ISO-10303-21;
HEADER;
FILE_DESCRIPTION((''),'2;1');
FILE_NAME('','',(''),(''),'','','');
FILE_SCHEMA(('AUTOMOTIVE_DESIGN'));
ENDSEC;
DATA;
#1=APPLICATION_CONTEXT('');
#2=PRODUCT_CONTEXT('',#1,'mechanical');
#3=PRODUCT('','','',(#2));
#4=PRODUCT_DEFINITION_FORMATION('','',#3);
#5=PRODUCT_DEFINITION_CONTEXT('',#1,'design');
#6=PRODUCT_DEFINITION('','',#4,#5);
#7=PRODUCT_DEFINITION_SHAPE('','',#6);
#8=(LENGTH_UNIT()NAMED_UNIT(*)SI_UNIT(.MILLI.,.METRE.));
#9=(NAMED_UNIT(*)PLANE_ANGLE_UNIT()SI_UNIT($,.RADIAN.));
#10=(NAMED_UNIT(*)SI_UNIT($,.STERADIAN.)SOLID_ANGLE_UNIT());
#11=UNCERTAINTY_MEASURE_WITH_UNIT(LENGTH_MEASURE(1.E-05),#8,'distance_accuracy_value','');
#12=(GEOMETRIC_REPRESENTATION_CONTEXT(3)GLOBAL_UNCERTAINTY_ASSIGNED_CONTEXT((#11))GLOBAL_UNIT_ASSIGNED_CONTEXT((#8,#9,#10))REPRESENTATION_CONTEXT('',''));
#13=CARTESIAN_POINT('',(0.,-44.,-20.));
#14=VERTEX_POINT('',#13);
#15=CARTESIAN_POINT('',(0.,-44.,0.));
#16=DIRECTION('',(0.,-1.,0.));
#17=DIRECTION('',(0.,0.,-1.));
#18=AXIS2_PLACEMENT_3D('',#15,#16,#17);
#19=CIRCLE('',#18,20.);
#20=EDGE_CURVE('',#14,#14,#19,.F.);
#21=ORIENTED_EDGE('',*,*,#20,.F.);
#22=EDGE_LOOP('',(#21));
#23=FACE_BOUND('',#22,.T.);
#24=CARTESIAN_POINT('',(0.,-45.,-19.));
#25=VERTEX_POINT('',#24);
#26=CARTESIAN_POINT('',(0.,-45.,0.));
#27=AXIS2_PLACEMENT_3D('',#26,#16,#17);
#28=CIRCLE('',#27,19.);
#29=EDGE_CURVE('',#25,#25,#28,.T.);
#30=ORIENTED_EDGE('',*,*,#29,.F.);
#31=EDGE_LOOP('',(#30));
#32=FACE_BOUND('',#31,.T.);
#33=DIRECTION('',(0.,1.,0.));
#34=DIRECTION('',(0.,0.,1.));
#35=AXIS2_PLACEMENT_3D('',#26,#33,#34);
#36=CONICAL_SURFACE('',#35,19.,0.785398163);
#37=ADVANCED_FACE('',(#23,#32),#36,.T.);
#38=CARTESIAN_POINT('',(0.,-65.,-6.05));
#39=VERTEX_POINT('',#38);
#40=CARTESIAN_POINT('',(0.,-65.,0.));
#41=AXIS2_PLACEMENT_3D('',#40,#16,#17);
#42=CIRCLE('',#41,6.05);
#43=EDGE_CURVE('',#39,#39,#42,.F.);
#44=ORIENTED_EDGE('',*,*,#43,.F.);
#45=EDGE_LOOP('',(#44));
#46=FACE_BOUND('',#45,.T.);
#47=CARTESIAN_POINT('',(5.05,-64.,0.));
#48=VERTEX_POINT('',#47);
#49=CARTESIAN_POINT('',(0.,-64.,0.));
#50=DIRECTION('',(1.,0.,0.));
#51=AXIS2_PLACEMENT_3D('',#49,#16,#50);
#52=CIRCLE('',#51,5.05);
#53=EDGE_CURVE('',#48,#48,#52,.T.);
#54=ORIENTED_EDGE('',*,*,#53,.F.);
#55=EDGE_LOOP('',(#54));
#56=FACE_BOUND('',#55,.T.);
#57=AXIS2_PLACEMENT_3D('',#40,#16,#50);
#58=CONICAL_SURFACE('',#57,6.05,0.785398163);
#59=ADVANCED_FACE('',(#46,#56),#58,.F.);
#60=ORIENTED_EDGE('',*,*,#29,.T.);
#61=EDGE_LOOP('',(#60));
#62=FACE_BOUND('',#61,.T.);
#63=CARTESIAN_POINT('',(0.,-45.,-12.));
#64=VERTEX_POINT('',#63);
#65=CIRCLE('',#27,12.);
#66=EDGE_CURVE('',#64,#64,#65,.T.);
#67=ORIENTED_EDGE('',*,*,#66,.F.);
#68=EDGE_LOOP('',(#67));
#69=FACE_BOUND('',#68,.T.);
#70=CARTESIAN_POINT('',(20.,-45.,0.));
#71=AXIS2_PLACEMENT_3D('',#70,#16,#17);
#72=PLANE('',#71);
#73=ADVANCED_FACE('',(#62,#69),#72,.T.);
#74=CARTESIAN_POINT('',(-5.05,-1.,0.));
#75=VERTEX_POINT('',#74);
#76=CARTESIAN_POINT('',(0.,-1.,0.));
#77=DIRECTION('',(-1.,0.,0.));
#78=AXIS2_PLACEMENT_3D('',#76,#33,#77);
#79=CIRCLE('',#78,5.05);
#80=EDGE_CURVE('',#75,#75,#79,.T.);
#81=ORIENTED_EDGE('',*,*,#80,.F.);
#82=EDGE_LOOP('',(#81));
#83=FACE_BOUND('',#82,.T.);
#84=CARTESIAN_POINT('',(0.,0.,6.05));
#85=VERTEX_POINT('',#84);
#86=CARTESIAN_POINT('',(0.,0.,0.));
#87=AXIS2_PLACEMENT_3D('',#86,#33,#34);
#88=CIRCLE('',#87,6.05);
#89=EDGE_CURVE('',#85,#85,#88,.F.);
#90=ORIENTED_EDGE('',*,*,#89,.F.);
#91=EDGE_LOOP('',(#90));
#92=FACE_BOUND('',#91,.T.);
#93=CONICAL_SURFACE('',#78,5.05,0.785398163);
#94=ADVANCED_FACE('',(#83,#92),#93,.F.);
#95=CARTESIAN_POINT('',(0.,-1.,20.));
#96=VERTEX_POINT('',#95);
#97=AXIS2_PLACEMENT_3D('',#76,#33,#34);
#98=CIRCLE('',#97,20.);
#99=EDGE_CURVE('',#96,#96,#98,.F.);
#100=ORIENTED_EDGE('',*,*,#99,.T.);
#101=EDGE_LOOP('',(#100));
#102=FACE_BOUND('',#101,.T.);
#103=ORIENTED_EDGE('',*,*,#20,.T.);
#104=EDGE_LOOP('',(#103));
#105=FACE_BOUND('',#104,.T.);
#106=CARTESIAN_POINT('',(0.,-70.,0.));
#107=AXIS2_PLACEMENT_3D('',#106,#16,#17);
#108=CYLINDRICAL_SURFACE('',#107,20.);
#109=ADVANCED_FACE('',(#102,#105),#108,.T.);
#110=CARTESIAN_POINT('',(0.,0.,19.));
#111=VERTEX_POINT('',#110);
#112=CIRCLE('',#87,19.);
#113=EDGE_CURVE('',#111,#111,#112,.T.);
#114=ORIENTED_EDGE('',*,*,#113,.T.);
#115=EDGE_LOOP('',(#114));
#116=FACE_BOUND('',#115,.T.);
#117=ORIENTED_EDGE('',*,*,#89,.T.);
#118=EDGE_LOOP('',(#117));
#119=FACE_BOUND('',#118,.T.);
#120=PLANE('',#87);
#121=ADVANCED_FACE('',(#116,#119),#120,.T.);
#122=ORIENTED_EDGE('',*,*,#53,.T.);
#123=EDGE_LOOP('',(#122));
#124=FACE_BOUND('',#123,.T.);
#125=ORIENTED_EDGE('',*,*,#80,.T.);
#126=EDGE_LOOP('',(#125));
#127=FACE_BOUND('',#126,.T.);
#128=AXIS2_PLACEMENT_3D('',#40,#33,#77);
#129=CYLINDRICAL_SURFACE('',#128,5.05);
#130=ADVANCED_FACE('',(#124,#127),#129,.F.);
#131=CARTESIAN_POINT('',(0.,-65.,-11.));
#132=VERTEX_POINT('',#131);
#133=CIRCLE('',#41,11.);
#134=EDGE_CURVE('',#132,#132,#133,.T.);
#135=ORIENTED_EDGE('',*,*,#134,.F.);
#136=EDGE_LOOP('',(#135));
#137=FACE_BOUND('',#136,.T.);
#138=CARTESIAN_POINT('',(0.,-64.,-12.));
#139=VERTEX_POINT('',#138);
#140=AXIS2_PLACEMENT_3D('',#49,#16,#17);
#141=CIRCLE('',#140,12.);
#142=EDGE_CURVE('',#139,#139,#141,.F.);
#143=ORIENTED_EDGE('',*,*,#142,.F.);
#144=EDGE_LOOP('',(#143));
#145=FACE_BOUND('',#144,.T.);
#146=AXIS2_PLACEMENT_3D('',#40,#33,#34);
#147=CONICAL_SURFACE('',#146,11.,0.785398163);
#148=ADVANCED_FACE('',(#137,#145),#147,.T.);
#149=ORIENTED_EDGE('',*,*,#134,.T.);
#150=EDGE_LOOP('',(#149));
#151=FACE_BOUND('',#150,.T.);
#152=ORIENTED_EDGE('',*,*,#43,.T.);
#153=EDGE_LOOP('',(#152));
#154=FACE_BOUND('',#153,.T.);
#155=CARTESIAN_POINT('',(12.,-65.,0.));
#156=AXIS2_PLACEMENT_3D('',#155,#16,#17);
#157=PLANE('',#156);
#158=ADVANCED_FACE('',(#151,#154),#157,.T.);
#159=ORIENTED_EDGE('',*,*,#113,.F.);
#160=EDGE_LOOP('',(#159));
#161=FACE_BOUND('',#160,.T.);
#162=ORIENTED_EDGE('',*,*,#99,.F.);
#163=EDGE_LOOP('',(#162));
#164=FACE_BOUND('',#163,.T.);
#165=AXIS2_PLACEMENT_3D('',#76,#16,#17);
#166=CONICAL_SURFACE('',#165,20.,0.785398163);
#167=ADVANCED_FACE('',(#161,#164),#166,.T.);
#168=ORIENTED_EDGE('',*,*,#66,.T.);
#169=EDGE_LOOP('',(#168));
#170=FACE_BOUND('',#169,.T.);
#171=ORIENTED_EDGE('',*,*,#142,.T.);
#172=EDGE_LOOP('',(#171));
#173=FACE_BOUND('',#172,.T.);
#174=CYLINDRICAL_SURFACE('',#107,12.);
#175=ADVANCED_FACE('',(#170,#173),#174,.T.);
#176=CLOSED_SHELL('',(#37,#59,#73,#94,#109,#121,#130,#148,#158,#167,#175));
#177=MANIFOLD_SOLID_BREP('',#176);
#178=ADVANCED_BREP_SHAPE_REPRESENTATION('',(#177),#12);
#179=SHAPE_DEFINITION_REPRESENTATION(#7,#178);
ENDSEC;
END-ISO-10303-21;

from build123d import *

# Parameters (mm, degrees)
SKETCH2_R          = 5.05
CUT_EXTRUDE1_DEPTH = 71.887234394
CHAMFER1_SIZE      = 1


with BuildPart() as part:
    # Sketch1 → Revolve1 (revolve)
    with BuildSketch(Plane.XY, mode=Mode.PRIVATE) as revolve1_sk:
        Polygon((0, 0), (20, 0), (20, -45), (12, -45), (12, -65), (0, -65), align=None)
    revolve(revolve1_sk.sketch.rotate(Axis((0, -70, 0), (0, 1, 0)), 90), axis=Axis((0, -70, 0), (0, 1, 0)))

    # Sketch2 → Cut-Extrude1 (cut, through all)
    with BuildSketch(Plane(origin=(0, 0, 0), x_dir=(1, 0, 0), z_dir=(0, 1, 0))):
        with Locations(Location((0, 0, 0), (0, 0, 180))):
            Circle(SKETCH2_R)
    extrude(amount=-CUT_EXTRUDE1_DEPTH, mode=Mode.SUBTRACT)

    # Chamfer1
    chamfer1_edges = [part.edges().sort_by_distance(p)[0] for p in [
        (5.05, -65, 0),
        (5.05, 0, 0),
        (0, -65, 12),
        (0, -45, 20),
        (0, 0, 20),
    ]]
    chamfer(chamfer1_edges, length=CHAMFER1_SIZE)


solid = part.part
